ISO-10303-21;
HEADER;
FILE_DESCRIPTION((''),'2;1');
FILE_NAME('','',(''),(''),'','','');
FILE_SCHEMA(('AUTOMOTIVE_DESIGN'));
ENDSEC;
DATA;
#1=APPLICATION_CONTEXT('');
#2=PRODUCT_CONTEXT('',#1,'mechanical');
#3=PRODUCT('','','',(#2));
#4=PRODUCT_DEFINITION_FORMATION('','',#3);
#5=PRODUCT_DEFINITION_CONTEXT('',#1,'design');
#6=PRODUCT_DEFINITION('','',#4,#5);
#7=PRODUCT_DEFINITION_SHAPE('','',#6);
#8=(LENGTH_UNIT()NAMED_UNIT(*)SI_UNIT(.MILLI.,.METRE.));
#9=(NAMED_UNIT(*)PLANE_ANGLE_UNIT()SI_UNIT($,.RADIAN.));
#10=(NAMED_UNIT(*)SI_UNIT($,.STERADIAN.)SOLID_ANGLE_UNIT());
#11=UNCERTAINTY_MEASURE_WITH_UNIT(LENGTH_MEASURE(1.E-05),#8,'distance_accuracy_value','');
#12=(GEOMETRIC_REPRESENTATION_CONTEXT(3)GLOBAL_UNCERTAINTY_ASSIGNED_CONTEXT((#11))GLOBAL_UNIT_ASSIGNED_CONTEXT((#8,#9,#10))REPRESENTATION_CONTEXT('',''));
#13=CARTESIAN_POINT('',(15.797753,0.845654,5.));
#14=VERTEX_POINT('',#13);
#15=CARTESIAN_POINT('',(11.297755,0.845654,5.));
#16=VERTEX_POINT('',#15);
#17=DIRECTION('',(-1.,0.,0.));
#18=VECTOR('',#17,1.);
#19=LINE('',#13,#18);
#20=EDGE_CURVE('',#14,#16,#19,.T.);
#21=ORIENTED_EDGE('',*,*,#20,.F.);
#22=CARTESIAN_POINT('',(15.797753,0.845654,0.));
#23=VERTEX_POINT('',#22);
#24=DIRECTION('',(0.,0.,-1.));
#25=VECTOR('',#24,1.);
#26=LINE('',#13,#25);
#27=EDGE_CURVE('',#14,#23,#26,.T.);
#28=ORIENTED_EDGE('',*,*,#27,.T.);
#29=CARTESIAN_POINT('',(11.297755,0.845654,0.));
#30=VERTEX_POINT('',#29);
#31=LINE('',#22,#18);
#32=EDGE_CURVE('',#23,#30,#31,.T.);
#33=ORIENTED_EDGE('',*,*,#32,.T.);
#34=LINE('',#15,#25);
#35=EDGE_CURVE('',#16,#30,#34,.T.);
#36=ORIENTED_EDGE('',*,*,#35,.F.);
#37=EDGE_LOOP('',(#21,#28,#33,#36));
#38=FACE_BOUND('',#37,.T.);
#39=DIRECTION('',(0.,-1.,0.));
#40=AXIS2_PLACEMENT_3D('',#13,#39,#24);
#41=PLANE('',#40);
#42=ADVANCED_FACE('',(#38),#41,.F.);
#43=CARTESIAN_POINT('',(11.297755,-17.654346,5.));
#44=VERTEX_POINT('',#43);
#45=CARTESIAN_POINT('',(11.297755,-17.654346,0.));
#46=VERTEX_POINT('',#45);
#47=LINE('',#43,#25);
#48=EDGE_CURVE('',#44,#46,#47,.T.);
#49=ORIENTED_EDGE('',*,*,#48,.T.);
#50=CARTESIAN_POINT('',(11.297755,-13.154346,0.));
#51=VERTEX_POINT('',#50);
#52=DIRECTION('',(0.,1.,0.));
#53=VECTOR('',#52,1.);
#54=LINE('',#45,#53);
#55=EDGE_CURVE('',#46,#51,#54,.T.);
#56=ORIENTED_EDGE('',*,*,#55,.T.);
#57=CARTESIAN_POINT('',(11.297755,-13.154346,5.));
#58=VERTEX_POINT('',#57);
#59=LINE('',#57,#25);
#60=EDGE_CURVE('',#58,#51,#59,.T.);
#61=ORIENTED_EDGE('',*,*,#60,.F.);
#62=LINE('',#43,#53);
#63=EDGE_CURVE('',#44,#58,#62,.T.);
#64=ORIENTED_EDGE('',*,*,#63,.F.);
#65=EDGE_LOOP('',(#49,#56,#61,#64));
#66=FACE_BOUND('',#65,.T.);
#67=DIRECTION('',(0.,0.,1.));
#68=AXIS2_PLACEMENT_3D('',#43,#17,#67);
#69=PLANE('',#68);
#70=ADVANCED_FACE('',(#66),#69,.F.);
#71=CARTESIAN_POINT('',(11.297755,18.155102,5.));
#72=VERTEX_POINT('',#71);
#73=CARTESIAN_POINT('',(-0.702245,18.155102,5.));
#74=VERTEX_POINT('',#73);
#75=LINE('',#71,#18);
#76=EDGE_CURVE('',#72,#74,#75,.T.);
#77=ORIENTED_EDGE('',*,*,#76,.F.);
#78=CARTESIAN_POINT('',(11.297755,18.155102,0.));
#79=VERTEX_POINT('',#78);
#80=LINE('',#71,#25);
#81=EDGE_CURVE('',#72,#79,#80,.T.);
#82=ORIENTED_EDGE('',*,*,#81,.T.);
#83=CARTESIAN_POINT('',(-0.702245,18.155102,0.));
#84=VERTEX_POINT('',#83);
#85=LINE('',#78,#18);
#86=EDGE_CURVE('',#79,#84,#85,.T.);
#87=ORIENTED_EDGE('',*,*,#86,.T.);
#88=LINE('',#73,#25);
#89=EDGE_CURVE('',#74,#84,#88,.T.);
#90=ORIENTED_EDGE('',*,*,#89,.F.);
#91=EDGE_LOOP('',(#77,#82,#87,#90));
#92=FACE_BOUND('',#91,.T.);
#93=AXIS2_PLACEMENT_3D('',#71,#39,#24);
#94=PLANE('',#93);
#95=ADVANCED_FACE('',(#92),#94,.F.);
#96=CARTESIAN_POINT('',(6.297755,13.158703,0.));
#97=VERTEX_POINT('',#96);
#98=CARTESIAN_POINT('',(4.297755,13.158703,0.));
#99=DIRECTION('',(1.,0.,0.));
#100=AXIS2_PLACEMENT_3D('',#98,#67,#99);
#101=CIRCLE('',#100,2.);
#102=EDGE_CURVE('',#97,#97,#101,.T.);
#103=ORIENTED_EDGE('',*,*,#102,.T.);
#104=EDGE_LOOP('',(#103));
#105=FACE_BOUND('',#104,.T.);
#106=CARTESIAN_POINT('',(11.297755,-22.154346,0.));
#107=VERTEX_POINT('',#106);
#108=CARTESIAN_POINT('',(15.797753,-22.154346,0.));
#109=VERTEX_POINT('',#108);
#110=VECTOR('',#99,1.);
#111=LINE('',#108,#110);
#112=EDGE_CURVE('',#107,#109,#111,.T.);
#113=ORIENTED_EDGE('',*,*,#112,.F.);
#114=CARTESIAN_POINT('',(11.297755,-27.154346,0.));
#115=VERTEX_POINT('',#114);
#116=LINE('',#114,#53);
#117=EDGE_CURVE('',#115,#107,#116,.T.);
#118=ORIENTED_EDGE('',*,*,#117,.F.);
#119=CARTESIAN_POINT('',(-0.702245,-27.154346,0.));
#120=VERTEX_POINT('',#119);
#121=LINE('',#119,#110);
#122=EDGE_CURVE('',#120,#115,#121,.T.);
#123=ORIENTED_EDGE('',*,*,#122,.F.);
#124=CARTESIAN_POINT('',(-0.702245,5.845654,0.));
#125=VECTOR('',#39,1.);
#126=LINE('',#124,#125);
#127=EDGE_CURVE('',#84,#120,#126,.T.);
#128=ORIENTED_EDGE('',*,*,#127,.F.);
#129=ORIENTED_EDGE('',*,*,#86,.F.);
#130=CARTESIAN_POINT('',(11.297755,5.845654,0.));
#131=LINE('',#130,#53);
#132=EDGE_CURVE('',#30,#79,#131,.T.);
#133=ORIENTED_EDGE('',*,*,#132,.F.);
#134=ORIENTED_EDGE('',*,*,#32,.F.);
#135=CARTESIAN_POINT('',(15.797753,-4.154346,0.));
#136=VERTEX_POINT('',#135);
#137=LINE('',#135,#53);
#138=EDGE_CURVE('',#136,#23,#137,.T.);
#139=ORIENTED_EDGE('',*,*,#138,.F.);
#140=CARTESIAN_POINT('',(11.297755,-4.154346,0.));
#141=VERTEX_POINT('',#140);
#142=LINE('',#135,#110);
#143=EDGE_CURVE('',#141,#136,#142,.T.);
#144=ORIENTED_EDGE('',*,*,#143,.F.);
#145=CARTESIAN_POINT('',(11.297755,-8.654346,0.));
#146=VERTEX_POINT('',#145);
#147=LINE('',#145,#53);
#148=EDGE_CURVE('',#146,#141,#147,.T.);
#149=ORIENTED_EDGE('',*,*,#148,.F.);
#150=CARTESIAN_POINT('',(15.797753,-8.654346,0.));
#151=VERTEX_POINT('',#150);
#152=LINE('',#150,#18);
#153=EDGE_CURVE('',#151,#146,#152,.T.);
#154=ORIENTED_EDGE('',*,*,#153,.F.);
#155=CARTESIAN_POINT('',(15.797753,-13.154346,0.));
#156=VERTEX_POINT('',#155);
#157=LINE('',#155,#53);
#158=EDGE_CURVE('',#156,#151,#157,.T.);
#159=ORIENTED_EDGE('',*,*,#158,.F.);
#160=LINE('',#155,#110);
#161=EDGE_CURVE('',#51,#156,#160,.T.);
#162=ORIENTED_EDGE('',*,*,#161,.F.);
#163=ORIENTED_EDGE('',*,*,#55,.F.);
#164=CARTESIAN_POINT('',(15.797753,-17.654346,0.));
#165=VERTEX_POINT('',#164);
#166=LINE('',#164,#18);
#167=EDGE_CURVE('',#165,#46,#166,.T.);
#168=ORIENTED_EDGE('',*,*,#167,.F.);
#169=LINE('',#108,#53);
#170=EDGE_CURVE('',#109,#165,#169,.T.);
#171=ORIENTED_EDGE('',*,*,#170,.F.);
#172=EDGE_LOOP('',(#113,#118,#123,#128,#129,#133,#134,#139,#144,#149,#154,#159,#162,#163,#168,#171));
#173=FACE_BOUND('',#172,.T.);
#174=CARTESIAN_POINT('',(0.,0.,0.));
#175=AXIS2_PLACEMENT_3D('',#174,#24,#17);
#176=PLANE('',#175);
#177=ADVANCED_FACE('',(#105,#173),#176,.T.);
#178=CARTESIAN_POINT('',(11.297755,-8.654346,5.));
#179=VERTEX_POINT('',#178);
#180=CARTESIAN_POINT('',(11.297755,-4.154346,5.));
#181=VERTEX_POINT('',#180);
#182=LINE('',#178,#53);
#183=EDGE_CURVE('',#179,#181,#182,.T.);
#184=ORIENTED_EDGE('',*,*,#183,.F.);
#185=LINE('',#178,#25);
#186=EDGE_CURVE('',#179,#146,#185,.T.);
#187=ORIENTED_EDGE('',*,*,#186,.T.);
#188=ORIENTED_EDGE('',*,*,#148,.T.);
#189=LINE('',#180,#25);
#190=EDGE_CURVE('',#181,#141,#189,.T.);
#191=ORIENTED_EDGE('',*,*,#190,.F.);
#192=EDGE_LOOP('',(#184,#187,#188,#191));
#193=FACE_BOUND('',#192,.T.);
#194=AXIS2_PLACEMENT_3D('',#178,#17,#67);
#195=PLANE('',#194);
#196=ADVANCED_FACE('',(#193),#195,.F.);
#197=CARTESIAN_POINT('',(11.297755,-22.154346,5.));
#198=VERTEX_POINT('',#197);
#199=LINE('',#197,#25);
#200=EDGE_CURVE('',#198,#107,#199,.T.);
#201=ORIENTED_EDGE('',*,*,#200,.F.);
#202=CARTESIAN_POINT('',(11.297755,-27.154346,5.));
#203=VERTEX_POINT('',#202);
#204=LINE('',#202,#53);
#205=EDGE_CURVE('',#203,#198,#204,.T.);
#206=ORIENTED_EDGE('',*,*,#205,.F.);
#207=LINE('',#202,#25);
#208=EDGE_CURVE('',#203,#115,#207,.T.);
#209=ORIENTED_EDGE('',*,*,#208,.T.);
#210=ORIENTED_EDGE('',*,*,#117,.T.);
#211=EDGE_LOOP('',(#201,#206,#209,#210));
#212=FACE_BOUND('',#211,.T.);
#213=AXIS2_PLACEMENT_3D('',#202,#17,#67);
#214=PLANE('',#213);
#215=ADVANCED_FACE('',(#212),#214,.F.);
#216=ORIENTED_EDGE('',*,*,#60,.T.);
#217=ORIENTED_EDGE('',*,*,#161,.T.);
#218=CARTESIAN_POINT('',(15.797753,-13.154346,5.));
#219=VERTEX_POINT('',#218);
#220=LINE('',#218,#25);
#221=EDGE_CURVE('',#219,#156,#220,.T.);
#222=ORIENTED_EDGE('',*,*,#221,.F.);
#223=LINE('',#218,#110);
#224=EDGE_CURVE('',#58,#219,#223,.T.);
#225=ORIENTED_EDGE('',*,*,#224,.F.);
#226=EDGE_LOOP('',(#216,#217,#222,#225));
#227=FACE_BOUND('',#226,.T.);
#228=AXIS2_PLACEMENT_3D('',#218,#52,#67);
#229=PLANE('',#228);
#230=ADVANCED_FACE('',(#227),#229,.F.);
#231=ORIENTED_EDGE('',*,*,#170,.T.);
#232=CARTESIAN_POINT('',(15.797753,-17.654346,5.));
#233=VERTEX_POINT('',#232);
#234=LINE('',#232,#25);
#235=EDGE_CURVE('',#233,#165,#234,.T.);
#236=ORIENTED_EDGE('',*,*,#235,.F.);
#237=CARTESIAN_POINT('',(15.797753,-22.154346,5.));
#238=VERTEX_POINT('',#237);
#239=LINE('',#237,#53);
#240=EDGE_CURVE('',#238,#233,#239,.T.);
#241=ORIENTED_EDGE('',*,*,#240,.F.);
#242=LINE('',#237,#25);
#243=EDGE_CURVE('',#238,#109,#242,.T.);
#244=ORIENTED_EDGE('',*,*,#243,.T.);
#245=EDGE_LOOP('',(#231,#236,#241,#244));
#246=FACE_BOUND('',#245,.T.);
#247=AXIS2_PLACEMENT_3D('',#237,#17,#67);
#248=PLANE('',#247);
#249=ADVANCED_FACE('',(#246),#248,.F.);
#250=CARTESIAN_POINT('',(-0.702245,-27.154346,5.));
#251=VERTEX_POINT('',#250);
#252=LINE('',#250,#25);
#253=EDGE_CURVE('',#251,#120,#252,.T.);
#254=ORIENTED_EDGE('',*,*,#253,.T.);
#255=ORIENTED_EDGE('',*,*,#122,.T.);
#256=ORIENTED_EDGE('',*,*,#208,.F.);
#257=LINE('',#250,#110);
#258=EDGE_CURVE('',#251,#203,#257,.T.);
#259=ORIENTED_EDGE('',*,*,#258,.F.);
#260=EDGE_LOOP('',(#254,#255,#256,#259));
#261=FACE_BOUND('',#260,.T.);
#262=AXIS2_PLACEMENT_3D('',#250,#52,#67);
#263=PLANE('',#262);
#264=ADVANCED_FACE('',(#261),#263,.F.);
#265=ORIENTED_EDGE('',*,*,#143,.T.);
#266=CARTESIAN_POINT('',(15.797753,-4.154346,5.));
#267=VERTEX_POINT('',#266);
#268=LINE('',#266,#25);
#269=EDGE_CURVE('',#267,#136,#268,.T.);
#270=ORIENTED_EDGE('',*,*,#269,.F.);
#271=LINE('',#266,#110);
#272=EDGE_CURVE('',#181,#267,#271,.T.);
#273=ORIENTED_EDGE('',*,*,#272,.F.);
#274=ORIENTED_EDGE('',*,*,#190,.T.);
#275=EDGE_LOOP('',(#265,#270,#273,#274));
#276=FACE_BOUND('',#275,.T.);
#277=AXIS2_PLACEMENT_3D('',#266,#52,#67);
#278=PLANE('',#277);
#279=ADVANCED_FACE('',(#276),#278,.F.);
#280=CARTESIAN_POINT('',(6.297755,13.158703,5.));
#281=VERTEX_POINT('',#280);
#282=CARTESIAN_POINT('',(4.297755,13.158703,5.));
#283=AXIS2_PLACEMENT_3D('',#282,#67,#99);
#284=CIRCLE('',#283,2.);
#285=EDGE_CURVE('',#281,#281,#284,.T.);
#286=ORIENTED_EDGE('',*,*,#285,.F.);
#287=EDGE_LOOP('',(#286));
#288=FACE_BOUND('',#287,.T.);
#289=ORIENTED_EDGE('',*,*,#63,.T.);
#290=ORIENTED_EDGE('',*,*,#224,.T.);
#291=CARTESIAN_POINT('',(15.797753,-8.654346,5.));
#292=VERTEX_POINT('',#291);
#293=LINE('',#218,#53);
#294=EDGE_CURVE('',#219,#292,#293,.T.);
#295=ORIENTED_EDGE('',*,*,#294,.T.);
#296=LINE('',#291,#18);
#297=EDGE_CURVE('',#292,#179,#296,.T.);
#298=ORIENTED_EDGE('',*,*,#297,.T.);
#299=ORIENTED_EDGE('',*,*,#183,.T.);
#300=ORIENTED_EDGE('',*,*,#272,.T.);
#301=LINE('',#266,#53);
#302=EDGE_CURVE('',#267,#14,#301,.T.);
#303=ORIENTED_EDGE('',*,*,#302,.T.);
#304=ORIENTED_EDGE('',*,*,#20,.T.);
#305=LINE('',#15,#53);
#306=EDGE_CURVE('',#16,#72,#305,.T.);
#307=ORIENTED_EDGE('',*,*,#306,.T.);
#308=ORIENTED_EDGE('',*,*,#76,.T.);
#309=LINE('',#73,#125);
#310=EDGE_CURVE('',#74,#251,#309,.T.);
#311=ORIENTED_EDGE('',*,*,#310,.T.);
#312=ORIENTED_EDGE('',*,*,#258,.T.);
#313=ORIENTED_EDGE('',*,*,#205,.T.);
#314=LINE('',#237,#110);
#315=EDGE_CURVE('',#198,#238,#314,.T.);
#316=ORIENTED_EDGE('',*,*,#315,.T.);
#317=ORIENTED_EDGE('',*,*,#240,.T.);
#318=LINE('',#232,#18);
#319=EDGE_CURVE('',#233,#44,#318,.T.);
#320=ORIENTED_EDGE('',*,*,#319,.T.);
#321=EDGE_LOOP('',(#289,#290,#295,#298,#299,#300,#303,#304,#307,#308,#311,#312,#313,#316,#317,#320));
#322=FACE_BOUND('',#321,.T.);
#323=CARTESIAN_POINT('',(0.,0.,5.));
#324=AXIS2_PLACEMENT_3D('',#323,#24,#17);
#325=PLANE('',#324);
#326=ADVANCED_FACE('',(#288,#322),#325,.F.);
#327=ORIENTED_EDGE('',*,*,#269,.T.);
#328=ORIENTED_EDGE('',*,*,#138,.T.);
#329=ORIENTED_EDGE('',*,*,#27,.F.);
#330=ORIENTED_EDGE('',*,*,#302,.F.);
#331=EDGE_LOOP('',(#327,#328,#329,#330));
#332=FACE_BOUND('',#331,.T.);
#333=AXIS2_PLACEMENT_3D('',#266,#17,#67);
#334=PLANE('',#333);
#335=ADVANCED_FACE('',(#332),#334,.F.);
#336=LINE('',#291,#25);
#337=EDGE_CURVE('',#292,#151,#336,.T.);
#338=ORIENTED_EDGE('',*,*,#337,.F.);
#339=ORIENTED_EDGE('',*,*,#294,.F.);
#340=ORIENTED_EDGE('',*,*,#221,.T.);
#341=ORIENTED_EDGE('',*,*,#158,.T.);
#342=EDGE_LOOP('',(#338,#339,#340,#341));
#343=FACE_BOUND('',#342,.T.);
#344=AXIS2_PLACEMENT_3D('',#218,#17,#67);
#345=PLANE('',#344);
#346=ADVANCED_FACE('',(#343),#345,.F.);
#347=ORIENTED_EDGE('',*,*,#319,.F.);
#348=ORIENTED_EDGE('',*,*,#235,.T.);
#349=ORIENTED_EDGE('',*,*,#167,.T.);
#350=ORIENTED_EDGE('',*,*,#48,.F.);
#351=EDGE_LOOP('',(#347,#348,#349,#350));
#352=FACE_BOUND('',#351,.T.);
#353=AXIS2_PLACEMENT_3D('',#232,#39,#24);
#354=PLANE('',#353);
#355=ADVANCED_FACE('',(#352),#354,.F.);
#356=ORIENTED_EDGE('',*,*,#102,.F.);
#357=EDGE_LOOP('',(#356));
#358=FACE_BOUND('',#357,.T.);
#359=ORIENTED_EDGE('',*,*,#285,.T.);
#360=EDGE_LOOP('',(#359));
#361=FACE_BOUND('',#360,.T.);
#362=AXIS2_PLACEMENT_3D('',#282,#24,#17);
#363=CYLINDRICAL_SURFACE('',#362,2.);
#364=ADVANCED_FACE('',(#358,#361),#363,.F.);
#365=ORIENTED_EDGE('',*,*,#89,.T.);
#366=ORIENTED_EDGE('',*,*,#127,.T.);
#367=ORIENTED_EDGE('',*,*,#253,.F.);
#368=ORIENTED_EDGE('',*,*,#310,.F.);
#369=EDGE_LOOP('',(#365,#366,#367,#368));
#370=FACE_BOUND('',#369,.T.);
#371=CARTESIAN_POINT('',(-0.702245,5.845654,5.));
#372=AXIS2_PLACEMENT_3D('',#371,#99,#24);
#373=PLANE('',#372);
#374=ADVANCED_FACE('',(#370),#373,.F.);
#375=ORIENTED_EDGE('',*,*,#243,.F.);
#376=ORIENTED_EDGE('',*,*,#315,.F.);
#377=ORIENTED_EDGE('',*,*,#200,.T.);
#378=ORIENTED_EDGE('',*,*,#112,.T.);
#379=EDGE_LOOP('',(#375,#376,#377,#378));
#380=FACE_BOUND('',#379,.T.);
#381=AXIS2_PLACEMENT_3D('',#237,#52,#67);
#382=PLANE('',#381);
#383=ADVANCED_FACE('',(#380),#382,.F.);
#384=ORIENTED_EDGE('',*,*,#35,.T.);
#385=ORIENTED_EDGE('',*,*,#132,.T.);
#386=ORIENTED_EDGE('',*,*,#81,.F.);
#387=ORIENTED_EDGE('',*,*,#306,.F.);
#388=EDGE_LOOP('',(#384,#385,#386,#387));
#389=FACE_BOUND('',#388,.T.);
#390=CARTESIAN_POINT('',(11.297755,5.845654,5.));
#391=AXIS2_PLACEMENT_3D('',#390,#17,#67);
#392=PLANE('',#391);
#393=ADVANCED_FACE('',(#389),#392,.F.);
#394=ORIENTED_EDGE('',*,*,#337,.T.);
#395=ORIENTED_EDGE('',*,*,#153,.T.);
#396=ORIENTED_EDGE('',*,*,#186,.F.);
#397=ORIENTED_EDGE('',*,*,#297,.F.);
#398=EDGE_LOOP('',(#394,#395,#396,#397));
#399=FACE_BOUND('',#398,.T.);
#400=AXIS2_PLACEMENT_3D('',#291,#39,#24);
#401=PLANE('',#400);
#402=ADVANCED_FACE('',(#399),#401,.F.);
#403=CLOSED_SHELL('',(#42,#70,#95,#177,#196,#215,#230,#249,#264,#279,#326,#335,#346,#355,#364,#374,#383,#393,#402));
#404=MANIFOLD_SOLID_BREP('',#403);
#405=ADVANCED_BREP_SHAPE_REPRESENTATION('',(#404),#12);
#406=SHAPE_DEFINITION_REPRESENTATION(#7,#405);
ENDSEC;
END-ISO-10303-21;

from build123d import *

# Parameters (mm, degrees)
ESQUISSE1_R        = 2
BOSS_EXTRU_1_DEPTH = 5


with BuildPart() as part:
    # Esquisse1 → Boss.-Extru.1 (new body)
    with BuildSketch(Plane.XY):
        Polygon((11.2977547, 0.845653602), (11.2977547, 5.845653602), (11.2977547, 18.155101602), (-0.7022453, 18.155101602), (-0.7022453, 5.845653602), (-0.7022453, -27.154346398), (11.2977547, -27.154346398), (11.2977547, -22.154346398), (15.7977527, -22.154346398), (15.7977527, -17.654346398), (11.2977547, -17.654346398), (11.2977547, -13.154346398), (15.7977527, -13.154346398), (15.7977527, -8.654346398), (11.2977547, -8.654346398), (11.2977547, -4.154346398), (15.7977527, -4.154346398), (15.7977527, 0.845653602), align=None)
        with Locations((4.2977547, 13.158702602)):
            Circle(ESQUISSE1_R, mode=Mode.SUBTRACT)
    extrude(amount=BOSS_EXTRU_1_DEPTH)


solid = part.part
